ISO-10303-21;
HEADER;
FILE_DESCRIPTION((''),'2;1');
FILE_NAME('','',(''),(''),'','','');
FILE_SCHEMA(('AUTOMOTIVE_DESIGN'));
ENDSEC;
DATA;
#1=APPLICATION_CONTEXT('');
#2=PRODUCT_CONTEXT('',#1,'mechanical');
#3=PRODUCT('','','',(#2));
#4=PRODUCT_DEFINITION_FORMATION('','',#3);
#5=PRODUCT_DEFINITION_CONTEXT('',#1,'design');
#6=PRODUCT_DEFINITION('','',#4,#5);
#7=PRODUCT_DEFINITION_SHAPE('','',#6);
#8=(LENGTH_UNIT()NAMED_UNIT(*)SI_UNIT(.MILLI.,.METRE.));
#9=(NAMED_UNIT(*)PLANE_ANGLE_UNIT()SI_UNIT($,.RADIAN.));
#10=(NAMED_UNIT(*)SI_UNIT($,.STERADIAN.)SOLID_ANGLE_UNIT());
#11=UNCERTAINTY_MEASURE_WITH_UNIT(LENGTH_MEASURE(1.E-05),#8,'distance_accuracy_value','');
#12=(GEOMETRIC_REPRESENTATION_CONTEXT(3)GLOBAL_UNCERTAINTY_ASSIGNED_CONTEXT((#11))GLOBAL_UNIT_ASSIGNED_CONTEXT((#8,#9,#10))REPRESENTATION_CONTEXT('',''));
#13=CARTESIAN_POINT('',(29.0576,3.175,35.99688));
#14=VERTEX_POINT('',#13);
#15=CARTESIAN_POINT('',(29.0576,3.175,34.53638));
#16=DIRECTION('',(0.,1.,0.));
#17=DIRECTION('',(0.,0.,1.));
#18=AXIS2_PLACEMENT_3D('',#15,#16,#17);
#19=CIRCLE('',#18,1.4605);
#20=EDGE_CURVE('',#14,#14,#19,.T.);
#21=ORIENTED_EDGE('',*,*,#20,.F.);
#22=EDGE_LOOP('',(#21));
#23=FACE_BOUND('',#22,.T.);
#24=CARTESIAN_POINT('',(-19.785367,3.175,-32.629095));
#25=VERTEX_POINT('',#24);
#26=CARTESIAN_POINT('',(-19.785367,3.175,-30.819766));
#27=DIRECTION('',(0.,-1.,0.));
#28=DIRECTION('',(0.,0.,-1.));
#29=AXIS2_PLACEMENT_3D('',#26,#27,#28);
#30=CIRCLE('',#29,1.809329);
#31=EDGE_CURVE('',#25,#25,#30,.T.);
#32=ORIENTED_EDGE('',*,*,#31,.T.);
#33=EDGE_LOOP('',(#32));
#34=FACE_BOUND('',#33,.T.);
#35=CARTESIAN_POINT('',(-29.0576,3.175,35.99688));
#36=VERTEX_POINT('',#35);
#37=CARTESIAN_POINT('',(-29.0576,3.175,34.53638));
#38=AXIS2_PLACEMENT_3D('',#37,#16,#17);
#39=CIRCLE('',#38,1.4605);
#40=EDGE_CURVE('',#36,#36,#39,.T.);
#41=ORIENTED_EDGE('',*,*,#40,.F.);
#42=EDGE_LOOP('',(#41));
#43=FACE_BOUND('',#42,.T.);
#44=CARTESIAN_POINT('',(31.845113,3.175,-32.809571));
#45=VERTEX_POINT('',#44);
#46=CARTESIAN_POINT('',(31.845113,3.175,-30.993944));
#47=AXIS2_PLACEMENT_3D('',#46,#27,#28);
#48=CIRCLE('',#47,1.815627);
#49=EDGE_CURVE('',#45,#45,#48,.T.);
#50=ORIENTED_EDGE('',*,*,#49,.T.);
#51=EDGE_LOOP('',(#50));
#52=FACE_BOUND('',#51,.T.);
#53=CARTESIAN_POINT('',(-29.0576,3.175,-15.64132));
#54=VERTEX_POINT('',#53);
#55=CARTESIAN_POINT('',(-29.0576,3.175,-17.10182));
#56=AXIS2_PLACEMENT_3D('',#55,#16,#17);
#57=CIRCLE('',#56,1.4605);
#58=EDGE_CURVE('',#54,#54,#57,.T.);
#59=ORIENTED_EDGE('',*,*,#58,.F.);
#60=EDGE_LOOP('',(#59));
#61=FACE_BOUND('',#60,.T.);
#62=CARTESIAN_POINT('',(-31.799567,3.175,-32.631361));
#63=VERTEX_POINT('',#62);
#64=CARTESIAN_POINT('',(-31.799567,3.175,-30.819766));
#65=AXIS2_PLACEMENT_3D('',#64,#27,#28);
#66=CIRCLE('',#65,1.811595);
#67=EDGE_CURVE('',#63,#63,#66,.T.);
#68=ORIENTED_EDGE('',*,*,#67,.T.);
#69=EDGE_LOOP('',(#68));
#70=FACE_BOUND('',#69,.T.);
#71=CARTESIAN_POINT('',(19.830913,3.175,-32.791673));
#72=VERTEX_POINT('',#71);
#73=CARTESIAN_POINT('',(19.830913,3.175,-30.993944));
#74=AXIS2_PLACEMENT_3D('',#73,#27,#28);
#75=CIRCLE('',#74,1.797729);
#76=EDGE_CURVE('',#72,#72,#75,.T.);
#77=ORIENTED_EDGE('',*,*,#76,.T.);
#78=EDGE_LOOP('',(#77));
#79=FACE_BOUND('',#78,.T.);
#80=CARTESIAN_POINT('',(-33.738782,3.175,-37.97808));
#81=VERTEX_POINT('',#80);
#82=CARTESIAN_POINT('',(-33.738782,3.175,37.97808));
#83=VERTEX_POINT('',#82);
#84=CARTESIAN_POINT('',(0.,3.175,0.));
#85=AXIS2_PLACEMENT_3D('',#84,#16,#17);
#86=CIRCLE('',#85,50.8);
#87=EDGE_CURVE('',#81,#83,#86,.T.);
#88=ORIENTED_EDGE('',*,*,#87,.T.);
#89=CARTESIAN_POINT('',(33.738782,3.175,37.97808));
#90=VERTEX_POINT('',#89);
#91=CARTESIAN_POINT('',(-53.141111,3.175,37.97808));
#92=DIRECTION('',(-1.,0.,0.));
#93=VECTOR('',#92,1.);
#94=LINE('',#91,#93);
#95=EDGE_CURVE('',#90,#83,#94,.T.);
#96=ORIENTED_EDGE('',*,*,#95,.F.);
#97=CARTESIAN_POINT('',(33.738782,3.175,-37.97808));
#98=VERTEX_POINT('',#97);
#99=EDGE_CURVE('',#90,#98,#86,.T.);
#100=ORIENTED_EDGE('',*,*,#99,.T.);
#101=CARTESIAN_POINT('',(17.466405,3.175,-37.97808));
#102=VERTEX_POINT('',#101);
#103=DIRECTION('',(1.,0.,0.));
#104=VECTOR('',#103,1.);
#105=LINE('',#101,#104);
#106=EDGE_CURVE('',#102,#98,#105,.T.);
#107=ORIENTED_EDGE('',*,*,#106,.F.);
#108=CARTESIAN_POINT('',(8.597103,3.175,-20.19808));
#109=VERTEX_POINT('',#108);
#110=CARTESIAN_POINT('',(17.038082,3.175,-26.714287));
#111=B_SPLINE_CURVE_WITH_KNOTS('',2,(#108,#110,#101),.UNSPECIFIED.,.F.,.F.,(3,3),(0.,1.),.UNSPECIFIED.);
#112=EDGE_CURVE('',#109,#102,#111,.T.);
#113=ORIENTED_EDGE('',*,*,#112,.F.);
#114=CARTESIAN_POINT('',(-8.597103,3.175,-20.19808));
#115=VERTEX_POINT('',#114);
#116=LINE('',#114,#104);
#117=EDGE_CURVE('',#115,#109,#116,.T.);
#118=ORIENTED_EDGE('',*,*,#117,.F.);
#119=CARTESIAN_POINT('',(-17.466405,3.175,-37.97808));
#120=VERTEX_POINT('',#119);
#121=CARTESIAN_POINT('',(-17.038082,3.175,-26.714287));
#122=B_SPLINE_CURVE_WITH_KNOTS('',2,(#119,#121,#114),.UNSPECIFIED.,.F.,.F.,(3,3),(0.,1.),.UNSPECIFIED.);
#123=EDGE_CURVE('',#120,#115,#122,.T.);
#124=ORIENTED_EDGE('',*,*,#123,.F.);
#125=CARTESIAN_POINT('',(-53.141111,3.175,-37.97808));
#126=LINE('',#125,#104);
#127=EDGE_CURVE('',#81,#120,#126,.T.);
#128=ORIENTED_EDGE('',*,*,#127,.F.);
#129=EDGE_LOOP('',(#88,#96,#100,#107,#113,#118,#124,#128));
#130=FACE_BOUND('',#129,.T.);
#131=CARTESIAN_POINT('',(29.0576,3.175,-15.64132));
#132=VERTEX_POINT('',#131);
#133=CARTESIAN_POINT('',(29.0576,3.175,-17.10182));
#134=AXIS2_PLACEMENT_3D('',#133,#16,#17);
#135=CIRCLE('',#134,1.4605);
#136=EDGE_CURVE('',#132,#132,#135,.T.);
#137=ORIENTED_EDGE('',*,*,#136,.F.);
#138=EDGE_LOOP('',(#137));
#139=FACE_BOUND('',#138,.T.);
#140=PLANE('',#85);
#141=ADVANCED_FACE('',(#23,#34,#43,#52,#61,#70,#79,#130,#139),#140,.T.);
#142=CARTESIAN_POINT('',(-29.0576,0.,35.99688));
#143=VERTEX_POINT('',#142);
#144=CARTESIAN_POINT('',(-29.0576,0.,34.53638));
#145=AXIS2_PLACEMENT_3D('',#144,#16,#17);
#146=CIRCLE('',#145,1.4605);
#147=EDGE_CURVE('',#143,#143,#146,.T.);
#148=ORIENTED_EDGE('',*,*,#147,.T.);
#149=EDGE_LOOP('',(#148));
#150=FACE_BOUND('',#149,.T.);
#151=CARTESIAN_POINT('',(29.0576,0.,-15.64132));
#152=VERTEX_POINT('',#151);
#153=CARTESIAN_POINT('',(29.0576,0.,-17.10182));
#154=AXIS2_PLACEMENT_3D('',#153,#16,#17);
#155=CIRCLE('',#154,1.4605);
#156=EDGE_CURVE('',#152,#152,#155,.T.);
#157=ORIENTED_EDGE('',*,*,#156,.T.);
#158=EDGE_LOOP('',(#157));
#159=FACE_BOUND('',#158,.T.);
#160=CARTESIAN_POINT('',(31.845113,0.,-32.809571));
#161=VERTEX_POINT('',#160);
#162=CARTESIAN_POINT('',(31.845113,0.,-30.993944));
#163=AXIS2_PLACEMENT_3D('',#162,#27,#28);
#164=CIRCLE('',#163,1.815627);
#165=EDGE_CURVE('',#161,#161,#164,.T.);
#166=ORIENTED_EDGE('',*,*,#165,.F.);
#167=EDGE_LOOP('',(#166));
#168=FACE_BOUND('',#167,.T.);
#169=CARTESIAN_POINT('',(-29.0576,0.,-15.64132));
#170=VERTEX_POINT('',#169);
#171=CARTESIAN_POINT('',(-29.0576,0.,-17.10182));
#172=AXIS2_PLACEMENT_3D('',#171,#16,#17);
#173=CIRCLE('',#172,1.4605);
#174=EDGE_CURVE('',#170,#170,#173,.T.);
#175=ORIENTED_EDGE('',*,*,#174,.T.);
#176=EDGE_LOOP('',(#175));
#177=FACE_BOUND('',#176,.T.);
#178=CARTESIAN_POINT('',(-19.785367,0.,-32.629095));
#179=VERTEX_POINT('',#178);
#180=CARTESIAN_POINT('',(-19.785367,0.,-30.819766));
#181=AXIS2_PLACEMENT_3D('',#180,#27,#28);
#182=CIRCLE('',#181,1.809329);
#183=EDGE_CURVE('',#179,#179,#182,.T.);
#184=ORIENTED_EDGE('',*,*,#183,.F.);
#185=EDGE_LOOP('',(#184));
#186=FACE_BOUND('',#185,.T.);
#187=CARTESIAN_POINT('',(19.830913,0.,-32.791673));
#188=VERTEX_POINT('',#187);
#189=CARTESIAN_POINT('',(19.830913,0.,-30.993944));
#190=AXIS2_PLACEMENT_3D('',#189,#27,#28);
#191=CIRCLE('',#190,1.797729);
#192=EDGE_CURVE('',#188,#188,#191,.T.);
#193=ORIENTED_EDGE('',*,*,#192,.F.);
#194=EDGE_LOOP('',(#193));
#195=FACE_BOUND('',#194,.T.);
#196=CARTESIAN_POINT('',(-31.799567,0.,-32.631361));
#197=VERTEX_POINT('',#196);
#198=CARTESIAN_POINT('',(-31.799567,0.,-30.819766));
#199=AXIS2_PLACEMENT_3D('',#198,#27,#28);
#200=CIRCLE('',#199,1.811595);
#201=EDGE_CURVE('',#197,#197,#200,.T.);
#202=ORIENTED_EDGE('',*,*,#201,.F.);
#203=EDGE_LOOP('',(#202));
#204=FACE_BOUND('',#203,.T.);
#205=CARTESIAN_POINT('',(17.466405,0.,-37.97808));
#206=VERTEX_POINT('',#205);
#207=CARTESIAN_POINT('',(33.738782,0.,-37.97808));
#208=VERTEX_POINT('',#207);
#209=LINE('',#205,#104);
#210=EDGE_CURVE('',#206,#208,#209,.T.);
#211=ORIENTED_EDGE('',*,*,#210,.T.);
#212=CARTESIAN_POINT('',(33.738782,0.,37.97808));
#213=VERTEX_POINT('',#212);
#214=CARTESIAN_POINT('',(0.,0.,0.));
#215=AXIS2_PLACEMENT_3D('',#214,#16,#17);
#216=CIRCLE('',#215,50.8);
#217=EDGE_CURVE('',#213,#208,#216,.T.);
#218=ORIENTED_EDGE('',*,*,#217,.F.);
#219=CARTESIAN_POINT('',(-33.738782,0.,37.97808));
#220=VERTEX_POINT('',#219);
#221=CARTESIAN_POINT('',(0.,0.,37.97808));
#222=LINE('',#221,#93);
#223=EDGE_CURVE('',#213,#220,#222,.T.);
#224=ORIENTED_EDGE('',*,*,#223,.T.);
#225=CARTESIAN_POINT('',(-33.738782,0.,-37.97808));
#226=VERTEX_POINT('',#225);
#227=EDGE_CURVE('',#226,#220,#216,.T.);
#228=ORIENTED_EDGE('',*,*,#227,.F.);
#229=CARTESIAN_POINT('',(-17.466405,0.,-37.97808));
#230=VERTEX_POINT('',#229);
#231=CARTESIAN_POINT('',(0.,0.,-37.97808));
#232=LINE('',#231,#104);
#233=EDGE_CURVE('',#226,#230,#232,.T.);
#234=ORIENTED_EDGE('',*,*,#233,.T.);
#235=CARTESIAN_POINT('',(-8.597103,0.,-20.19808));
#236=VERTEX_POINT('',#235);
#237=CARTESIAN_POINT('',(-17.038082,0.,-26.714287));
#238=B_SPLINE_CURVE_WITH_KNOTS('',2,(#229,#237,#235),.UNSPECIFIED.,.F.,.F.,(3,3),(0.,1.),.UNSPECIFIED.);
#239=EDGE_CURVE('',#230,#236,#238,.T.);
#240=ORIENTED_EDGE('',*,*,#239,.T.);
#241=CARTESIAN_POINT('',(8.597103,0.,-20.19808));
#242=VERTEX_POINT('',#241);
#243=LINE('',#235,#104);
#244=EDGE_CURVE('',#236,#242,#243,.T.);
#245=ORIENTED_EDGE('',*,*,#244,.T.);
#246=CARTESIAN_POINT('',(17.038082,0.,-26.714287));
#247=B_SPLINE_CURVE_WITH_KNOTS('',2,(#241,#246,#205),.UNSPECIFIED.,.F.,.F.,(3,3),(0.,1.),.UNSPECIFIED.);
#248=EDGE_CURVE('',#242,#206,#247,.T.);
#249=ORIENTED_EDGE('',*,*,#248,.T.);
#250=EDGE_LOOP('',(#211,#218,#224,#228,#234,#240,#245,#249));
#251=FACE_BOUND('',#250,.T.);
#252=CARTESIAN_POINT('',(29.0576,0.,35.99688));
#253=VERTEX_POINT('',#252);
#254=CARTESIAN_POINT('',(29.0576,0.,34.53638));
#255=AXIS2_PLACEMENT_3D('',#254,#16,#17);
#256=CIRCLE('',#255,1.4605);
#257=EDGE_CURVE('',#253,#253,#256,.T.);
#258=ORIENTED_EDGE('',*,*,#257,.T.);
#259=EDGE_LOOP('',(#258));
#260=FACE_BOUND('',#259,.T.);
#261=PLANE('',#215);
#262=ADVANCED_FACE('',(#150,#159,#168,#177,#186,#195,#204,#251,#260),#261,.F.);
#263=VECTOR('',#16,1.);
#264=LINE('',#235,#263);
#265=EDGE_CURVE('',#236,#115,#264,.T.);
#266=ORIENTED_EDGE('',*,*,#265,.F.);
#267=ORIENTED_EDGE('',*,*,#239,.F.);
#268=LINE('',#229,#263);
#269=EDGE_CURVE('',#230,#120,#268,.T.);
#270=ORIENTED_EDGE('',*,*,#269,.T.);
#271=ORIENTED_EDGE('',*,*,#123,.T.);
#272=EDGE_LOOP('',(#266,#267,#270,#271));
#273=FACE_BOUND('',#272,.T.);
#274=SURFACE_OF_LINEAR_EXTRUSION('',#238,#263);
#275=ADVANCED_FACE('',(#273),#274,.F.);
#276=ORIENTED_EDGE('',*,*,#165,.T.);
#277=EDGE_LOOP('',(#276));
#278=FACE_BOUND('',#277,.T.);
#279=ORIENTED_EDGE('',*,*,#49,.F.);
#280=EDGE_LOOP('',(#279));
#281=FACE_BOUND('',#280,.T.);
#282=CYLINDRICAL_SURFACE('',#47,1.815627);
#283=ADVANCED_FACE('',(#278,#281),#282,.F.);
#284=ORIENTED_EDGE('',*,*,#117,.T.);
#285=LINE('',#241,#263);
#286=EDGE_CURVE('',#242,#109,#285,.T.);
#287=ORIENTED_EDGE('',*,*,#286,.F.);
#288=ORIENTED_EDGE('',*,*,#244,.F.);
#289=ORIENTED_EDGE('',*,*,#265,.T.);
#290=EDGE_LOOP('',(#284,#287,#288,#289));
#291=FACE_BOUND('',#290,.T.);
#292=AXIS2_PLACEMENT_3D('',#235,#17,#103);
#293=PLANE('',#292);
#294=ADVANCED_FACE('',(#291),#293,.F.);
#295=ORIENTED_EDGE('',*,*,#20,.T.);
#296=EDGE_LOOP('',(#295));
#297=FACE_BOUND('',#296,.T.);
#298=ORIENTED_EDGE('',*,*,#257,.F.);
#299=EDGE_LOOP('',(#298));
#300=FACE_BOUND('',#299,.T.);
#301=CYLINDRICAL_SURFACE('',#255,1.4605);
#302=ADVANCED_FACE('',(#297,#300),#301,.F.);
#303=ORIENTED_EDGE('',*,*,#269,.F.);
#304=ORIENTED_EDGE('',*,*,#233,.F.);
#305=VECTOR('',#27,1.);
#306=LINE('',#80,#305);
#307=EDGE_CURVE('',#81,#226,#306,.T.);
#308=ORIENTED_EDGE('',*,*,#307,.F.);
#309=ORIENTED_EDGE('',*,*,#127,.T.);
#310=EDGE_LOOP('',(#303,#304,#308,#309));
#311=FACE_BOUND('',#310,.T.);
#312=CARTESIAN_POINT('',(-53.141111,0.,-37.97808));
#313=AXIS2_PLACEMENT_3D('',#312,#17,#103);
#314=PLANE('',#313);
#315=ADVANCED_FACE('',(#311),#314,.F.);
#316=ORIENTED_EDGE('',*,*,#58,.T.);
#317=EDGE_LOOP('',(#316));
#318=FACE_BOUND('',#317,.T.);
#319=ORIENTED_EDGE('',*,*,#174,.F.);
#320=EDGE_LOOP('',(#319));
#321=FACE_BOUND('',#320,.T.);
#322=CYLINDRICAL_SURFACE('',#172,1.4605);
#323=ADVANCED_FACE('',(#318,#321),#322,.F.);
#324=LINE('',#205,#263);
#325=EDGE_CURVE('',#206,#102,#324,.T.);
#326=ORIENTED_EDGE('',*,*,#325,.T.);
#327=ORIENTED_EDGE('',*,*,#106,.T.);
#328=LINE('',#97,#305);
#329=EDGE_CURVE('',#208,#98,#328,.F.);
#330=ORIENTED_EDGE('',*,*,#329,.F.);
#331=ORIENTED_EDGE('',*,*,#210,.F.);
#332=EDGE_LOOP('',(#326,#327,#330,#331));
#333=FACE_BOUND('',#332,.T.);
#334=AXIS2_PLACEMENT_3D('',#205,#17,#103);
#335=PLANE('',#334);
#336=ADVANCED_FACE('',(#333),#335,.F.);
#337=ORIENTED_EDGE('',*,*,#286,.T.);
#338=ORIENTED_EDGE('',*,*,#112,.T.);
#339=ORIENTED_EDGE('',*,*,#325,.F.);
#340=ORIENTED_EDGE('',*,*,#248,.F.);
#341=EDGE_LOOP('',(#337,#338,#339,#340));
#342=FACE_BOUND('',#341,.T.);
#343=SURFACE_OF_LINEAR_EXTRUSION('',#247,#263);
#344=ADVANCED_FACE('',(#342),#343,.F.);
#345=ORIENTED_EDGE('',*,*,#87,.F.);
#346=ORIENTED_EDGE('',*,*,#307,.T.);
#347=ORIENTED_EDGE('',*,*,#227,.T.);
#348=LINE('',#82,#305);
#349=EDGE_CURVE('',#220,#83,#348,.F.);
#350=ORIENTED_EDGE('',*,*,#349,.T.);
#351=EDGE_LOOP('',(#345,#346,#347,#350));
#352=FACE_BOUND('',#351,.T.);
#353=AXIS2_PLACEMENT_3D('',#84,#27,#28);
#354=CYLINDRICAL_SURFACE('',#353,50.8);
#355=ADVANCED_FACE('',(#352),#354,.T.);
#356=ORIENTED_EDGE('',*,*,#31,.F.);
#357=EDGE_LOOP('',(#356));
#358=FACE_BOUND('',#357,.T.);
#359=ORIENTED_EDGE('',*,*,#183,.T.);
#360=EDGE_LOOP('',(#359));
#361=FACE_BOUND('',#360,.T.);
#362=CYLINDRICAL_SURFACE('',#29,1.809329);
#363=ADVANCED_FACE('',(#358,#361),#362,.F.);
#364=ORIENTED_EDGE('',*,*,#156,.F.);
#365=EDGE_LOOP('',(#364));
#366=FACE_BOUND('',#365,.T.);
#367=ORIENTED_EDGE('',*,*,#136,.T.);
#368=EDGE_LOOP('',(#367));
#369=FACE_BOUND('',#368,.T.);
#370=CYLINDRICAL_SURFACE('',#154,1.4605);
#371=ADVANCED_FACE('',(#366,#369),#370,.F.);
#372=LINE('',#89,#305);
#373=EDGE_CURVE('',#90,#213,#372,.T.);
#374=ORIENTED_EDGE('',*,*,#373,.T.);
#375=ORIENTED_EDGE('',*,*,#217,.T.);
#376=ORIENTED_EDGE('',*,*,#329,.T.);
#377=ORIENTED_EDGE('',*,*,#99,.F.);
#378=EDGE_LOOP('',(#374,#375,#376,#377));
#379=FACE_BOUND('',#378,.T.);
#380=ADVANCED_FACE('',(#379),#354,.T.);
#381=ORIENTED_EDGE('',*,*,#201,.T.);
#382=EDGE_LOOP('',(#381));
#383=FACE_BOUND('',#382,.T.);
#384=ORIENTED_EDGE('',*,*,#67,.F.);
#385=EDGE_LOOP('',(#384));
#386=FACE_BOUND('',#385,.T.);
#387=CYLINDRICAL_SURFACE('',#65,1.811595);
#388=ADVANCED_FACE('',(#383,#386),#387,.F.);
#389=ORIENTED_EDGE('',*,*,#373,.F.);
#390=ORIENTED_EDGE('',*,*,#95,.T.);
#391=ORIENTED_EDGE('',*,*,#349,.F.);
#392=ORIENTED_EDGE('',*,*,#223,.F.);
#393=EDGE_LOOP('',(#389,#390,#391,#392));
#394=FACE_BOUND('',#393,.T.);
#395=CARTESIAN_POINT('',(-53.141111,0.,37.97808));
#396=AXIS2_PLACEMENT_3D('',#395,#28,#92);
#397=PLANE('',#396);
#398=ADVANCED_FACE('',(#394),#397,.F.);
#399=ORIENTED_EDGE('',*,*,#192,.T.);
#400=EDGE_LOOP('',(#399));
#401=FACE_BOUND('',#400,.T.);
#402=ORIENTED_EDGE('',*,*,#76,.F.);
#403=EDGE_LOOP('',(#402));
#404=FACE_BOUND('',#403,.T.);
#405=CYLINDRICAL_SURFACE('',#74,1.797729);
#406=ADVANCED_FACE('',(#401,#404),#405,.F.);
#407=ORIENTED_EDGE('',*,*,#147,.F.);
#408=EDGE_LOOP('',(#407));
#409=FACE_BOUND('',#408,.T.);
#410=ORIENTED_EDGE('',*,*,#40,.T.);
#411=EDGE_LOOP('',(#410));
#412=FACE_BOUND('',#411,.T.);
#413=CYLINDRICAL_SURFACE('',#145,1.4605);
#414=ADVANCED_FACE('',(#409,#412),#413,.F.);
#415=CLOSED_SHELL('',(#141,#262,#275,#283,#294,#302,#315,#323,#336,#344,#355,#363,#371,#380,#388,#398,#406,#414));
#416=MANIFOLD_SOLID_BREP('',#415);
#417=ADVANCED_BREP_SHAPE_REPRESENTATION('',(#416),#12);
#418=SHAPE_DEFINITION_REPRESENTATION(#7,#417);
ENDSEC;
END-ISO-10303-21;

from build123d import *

# Parameters (mm, degrees)
SKETCH1_R           = 50.8
BOSS_EXTRUDE1_DEPTH = 3.175
SKETCH2_W           = 114.887790664
SKETCH2_H           = 17.737062418
CUT_EXTRUDE1_DEPTH  = 3.175
SKETCH6_R           = 1.4605
CUT_EXTRUDE2_DEPTH  = 3.175
SKETCH8_R           = 1.81159506
SKETCH8_R_2         = 1.809329071
SKETCH8_R_3         = 1.797728754
SKETCH8_R_4         = 1.815627059
CUT_EXTRUDE4_DEPTH  = 3.175


with BuildPart() as part:
    # Sketch1 → Boss-Extrude1 (new body)
    with BuildSketch(Plane(origin=(0, 0, 0), x_dir=(1, 0, 0), z_dir=(0, 1, 0))):
        Circle(SKETCH1_R)
    extrude(amount=BOSS_EXTRUDE1_DEPTH)

    # Sketch2 → Cut-Extrude1 (cut)
    with BuildSketch(Plane(origin=(0, 3.175, 0), x_dir=(1, 0, 0), z_dir=(0, 1, 0))):
        with BuildLine():
            Line((-53.141111112, 55.715142418), (61.746679552, 55.715142418))
            Line((61.746679552, 55.715142418), (61.746679552, 37.97808))
            Line((61.746679552, 37.97808), (17.466405486, 37.97808))
            add(Edge.make_bspline(
                [(17.466405486, 37.97808), (17.038082166, 26.714286782), (8.597103322, 20.19808)],
                knots=[0, 0, 0, 1, 1, 1], degree=2))
            Line((8.597103322, 20.19808), (-8.597103322, 20.19808))
            add(Edge.make_bspline(
                [(-17.466405486, 37.97808), (-17.038082166, 26.714286782), (-8.597103322, 20.19808)],
                knots=[0, 0, 0, 1, 1, 1], degree=2))
            Line((-17.466405486, 37.97808), (-53.141111112, 37.97808))
            Line((-53.141111112, 37.97808), (-53.141111112, 55.715142418))
        make_face()
        with Locations((4.30278422, -46.846611209)):
            Rectangle(SKETCH2_W, SKETCH2_H)
    extrude(amount=-CUT_EXTRUDE1_DEPTH, mode=Mode.SUBTRACT)

    # Sketch6 → Cut-Extrude2 (cut)
    with BuildSketch(Plane(origin=(0, 3.175, 0), x_dir=(1, 0, 0), z_dir=(0, 1, 0))):
        with Locations((-29.0576, 17.10182)):
            Circle(SKETCH6_R)
        with Locations((29.0576, 17.10182)):
            Circle(SKETCH6_R)
        with Locations((29.0576, -34.53638)):
            Circle(SKETCH6_R)
        with Locations((-29.0576, -34.53638)):
            Circle(SKETCH6_R)
    extrude(amount=-CUT_EXTRUDE2_DEPTH, mode=Mode.SUBTRACT)

    # Sketch8 → Cut-Extrude4 (cut)
    with BuildSketch(Plane.XZ):
        with Locations((-31.799566939, -30.819765523)):
            Circle(SKETCH8_R)
        with Locations((-19.785366939, -30.819765523)):
            Circle(SKETCH8_R_2)
        with Locations((19.830913185, -30.993944368)):
            Circle(SKETCH8_R_3)
        with Locations((31.845113185, -30.993944368)):
            Circle(SKETCH8_R_4)
    extrude(amount=-CUT_EXTRUDE4_DEPTH, mode=Mode.SUBTRACT)


solid = part.part
